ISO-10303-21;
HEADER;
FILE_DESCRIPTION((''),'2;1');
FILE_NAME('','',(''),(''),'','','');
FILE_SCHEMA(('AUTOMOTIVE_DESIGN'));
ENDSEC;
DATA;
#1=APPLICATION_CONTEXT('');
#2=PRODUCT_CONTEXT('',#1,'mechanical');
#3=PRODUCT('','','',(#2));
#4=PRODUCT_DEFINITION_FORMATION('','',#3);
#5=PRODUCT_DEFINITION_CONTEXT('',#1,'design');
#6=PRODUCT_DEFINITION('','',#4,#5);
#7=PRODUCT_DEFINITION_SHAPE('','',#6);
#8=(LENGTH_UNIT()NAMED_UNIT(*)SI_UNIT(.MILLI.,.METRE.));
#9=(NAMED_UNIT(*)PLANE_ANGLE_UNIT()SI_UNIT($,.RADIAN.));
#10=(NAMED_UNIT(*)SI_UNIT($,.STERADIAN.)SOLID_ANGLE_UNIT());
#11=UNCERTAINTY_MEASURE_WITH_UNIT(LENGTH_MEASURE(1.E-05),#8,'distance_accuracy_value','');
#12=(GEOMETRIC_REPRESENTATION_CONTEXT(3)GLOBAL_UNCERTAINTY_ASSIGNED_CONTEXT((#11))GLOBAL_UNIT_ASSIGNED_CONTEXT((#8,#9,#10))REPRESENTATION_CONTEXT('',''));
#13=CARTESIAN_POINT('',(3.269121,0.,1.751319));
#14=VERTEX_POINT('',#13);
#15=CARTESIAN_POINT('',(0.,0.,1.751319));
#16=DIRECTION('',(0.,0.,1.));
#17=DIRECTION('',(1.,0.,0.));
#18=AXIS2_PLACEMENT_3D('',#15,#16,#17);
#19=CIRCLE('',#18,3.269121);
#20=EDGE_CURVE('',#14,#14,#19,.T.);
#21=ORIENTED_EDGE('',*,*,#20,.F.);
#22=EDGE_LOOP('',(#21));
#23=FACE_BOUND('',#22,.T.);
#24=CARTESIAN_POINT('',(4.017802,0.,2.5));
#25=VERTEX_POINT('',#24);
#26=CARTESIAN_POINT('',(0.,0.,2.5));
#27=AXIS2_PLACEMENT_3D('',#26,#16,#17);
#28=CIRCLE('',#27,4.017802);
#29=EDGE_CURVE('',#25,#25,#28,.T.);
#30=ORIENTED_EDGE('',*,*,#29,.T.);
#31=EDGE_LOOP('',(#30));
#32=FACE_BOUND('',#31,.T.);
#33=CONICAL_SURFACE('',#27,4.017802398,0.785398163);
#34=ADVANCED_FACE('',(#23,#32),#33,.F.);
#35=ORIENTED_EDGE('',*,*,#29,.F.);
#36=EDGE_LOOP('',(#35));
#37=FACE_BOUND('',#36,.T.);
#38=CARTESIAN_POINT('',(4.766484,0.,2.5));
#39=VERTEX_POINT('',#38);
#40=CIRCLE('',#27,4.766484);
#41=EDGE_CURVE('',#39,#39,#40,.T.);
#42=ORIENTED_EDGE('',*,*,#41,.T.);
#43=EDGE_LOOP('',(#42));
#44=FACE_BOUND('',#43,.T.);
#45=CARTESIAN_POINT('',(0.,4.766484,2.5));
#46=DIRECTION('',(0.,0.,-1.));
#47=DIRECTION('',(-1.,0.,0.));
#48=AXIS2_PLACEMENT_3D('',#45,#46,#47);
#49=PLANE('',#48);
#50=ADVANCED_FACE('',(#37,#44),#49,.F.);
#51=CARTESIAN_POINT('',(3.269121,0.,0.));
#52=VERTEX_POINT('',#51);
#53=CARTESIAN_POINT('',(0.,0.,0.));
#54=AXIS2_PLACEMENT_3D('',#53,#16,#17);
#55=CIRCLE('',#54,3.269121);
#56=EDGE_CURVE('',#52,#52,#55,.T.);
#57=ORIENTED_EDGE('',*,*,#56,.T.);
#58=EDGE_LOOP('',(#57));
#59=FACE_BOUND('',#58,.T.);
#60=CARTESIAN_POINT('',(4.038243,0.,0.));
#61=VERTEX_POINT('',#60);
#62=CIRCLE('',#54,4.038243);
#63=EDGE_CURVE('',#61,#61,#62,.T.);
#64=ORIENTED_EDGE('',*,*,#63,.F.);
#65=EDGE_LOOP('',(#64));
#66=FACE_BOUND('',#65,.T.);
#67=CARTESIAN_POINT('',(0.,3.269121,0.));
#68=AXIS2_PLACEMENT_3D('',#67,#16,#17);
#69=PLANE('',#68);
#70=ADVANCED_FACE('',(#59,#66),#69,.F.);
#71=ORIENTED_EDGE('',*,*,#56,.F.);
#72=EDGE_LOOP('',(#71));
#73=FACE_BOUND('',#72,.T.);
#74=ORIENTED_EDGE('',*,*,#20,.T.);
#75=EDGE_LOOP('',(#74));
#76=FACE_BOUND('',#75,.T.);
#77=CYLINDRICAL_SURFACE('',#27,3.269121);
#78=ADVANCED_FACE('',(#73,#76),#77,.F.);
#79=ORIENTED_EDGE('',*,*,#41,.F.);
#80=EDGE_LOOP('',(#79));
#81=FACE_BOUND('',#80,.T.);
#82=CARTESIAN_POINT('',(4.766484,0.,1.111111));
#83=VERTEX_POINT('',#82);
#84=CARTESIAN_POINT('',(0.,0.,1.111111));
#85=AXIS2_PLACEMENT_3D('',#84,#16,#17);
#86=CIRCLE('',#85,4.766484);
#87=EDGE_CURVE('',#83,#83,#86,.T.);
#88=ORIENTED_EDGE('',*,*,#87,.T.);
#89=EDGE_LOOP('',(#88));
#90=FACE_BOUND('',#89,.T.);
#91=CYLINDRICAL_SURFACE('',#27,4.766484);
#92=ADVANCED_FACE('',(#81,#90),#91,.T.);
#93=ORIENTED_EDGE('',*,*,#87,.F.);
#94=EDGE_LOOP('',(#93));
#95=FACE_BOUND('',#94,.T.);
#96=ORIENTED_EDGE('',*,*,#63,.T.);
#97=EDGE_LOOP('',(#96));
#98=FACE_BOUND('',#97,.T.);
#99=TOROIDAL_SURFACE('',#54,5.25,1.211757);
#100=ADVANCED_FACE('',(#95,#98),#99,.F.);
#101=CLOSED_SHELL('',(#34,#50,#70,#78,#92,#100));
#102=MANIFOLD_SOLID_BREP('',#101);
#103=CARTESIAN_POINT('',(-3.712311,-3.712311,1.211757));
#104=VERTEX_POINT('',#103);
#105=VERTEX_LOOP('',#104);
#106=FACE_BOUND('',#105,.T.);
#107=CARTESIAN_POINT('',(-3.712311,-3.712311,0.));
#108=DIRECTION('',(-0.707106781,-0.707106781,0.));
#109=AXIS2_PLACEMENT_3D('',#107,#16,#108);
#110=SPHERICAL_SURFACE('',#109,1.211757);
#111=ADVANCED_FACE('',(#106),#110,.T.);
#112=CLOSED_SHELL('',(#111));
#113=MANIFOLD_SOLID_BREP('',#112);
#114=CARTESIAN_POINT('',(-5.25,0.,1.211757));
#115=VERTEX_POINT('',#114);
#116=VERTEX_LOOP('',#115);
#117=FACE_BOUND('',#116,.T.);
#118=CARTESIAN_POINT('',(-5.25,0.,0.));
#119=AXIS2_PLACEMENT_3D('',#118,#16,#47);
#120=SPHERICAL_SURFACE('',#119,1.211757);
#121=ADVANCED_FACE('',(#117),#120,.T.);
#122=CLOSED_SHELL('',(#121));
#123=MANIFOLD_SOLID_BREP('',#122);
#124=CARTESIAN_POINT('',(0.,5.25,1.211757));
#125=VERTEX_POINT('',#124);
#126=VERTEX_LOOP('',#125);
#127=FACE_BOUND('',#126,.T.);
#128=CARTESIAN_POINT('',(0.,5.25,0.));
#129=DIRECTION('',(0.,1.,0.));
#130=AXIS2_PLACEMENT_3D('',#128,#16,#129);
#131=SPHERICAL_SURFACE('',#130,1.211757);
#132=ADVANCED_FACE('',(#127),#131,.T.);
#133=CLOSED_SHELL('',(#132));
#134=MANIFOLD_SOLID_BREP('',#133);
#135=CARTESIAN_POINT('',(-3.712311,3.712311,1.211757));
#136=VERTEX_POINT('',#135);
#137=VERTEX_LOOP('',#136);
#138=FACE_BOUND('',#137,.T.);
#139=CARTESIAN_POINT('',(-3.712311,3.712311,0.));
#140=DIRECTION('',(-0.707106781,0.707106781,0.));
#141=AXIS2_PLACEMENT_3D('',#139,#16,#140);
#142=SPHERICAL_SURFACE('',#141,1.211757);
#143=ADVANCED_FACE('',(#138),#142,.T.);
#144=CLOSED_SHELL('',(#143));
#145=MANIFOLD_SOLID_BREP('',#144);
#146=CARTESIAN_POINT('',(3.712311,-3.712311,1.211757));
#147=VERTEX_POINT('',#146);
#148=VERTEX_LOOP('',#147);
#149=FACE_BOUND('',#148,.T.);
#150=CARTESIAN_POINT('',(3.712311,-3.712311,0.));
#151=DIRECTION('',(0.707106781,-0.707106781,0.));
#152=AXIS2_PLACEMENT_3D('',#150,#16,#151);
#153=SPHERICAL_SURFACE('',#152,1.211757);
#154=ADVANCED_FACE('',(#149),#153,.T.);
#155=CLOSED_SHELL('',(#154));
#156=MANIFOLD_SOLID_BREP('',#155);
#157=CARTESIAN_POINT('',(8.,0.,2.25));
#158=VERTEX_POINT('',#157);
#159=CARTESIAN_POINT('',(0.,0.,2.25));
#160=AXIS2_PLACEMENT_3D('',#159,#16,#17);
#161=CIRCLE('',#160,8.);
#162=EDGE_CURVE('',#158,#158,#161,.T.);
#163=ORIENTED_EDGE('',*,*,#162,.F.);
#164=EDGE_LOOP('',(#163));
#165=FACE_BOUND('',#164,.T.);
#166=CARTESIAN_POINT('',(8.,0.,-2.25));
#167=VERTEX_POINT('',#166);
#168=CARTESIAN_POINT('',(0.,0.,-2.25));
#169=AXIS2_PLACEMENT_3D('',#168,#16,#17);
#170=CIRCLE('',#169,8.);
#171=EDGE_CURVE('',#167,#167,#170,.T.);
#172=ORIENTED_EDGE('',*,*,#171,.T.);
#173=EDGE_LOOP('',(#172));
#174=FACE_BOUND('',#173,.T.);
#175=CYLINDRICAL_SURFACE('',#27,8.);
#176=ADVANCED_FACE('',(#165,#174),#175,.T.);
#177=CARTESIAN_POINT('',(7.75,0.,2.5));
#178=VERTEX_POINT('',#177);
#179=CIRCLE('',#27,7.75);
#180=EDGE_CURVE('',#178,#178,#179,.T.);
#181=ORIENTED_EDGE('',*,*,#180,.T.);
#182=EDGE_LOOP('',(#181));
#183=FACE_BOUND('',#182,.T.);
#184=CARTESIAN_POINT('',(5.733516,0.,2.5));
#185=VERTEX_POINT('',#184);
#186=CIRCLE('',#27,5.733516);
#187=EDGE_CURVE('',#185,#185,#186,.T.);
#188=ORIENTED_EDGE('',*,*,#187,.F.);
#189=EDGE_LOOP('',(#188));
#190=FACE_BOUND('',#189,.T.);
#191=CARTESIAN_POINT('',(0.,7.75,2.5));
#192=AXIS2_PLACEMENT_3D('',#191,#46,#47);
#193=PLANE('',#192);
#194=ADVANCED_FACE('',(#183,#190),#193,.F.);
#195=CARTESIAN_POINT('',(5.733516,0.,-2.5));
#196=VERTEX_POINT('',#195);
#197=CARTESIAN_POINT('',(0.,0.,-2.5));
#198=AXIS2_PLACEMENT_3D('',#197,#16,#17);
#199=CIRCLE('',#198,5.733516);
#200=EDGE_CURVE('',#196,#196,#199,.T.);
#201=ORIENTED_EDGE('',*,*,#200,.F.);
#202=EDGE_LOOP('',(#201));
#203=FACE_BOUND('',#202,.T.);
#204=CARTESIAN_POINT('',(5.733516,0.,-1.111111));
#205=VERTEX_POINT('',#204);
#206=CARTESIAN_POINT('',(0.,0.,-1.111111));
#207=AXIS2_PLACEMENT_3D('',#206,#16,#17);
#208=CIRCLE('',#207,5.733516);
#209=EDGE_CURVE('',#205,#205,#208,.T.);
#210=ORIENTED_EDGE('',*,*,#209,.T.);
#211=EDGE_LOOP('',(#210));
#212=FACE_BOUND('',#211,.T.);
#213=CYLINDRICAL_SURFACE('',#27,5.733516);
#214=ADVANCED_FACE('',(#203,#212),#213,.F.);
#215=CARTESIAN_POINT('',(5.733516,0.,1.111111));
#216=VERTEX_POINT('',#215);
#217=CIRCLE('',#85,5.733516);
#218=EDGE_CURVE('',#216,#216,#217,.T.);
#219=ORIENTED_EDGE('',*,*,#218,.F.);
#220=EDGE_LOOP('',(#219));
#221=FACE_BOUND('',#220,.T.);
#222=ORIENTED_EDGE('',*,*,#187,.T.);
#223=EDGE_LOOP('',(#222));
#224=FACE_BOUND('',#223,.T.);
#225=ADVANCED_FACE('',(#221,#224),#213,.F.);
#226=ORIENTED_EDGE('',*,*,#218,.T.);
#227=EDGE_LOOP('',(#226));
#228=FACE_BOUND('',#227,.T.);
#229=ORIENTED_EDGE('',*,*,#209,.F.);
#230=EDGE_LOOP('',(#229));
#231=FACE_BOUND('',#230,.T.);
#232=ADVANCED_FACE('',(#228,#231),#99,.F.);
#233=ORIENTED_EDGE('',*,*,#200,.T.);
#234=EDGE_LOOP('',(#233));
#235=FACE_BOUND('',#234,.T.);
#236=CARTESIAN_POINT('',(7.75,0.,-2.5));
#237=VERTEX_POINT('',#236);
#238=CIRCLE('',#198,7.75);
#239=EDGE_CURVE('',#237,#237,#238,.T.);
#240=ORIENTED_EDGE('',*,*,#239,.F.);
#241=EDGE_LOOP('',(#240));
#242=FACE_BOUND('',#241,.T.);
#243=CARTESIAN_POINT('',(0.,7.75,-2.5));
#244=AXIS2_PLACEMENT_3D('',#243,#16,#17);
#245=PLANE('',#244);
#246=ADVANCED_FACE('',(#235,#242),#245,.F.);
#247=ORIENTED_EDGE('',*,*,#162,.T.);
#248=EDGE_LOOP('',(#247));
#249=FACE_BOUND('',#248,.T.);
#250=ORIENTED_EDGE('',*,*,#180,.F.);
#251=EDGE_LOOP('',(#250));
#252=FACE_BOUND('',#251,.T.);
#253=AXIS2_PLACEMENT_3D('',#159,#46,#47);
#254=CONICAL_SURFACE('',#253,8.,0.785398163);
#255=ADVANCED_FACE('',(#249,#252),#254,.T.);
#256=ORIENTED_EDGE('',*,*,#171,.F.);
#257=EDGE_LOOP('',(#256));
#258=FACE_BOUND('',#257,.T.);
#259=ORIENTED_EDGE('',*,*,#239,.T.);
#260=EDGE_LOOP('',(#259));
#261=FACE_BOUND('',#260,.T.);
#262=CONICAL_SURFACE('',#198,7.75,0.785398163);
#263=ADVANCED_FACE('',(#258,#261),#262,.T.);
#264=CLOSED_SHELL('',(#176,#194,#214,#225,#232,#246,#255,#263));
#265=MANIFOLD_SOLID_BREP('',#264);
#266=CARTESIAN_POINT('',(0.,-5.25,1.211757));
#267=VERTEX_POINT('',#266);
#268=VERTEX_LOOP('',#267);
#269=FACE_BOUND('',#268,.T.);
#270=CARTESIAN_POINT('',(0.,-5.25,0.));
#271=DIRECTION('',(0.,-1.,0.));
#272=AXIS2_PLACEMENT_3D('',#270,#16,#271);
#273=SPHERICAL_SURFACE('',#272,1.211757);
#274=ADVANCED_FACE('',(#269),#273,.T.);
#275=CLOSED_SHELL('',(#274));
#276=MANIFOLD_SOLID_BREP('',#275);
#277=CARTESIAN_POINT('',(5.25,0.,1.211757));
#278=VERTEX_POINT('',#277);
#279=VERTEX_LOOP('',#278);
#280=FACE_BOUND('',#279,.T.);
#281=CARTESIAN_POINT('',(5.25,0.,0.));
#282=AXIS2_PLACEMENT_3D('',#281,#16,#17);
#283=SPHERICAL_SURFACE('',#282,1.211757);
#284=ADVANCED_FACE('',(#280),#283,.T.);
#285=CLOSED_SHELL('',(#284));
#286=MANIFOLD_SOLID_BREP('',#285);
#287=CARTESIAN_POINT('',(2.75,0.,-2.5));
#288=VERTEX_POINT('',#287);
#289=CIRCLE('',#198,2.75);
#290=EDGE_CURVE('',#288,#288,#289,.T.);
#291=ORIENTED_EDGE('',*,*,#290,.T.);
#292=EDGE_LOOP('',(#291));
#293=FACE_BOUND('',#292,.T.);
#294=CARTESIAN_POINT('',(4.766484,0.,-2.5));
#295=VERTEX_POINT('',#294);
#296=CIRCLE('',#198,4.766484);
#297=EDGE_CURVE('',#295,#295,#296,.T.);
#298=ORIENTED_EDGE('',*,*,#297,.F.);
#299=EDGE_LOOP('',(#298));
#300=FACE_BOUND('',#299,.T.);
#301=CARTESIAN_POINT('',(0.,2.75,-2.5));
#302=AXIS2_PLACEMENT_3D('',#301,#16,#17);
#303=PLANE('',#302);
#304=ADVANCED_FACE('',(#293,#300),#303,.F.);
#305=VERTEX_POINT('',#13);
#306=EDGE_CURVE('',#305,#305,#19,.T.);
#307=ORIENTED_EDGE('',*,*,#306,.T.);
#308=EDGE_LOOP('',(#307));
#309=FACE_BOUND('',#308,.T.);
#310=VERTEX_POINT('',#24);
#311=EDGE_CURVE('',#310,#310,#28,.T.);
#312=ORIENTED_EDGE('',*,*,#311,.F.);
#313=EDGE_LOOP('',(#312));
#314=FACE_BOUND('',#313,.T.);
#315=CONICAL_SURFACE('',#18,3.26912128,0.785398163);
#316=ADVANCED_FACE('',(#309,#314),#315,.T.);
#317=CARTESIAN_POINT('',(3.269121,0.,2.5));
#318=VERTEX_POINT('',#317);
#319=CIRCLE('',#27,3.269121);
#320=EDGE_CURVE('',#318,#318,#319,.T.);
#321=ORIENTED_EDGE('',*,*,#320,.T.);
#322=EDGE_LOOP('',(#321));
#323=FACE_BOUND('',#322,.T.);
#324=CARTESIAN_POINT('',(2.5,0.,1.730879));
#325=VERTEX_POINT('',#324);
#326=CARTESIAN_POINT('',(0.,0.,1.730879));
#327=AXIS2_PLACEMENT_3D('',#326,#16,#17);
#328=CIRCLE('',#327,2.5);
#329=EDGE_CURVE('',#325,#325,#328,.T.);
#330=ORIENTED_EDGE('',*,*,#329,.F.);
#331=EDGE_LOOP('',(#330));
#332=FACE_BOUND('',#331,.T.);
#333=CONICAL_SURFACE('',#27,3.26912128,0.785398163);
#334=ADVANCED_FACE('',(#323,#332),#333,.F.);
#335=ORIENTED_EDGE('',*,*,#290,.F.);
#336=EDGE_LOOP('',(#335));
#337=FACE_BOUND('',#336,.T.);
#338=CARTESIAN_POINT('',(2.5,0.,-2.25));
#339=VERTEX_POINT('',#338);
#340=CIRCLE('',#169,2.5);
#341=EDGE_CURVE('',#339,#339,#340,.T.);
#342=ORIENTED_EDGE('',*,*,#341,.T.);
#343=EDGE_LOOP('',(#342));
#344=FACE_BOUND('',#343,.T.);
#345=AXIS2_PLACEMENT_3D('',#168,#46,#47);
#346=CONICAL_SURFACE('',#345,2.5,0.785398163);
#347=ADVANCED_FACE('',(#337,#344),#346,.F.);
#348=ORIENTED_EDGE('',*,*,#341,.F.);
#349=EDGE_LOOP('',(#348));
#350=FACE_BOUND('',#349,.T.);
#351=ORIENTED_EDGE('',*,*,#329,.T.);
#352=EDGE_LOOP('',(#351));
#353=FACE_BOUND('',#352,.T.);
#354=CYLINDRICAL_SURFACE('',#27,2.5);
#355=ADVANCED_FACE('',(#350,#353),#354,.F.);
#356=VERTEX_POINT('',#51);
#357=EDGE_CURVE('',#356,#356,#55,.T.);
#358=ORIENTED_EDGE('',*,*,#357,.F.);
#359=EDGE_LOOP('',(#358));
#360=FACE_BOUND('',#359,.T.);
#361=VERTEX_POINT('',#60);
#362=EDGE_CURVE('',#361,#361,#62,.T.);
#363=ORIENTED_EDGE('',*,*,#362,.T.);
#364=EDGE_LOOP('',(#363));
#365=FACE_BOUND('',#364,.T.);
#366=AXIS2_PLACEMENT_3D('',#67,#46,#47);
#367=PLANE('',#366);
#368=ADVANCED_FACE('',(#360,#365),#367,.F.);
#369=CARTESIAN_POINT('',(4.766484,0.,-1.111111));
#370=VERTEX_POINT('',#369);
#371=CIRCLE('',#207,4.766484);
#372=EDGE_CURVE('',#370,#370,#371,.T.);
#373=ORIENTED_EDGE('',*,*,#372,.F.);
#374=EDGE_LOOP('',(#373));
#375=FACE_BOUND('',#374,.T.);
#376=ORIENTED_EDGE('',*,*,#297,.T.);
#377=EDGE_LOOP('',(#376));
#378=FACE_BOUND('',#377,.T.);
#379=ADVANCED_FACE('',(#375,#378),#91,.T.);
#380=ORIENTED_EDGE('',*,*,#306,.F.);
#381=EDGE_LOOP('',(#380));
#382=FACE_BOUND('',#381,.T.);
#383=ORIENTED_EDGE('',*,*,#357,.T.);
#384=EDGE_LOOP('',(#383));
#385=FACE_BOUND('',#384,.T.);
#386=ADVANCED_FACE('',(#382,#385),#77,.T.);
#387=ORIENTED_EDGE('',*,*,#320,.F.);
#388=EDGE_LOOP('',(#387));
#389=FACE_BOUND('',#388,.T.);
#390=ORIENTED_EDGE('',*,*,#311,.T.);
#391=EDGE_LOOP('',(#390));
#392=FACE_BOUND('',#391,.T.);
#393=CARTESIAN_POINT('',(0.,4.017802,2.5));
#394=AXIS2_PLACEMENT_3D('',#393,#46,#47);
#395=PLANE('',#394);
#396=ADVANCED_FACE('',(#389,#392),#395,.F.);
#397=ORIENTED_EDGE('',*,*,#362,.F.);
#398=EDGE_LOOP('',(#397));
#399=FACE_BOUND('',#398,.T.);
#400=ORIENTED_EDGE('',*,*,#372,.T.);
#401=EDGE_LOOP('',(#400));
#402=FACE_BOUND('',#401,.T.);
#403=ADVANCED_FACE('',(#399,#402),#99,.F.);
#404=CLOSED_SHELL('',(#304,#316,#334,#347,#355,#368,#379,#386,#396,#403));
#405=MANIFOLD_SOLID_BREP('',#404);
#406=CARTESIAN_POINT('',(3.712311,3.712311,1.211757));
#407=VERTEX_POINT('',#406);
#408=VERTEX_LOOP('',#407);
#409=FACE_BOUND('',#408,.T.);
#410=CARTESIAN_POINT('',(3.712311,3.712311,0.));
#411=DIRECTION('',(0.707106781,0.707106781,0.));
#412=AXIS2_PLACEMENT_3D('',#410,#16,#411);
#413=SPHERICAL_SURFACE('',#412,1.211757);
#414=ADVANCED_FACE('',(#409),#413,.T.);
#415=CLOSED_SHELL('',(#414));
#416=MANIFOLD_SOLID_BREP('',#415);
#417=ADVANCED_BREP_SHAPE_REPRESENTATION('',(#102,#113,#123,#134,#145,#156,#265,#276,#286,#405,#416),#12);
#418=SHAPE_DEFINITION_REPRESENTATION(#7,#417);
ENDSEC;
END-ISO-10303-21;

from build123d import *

# Parameters (mm, degrees)
CIRPATTERN1_COUNT = 8


with BuildPart() as part:
    # Sketch1 → Revolve1 (revolve)
    with BuildSketch(Plane(origin=(0, 0, 0), x_dir=(0, 0, -1), z_dir=(1, 0, 0))):
        with BuildLine():
            Line((2.25, 8), (-2.25, 8))
            Line((-2.25, 8), (-2.5, 7.75))
            Line((-2.5, 7.75), (-2.5, 5.733516484))
            Line((-2.5, 5.733516484), (-1.111111111, 5.733516484))
            ThreePointArc((-1.111111111, 5.733516484), (0, 6.461757439), (1.111111111, 5.733516484))
            Line((1.111111111, 5.733516484), (2.5, 5.733516484))
            Line((2.5, 5.733516484), (2.5, 7.75))
            Line((2.5, 7.75), (2.25, 8))
        make_face()
    revolve(axis=Axis((0, 0, 2.5), (0, 0, -1)))


with BuildPart() as body_2:
    # Sketch2 → Revolve2 (revolve)
    with BuildSketch(Plane(origin=(0, 0, 0), x_dir=(0, 0, -1), z_dir=(1, 0, 0))):
        with BuildLine():
            Line((-2.5, 4.766483516), (-1.111111111, 4.766483516))
            ThreePointArc((-1.111111111, 4.766483516), (-0.66424822, 4.236525583), (0, 4.038242561))
            Line((0, 4.038242561), (0, 3.26912128))
            Line((0, 3.26912128), (-1.751318882, 3.26912128))
            Line((-1.751318882, 3.26912128), (-2.5, 4.017802398))
            Line((-2.5, 4.017802398), (-2.5, 4.766483516))
        make_face()
    revolve(axis=Axis((0, 0, 2.5), (0, 0, -1)))


with BuildPart() as body_3:
    # Sketch3 → Revolve3 (revolve)
    with BuildSketch(Plane(origin=(0, 0, 0), x_dir=(0, 0, -1), z_dir=(1, 0, 0))):
        with BuildLine():
            Line((-2.5, 4.017802398), (-1.751318882, 3.26912128))
            Line((-1.751318882, 3.26912128), (0, 3.26912128))
            Line((0, 3.26912128), (0, 4.038242561))
            ThreePointArc((0, 4.038242561), (0.66424822, 4.236525583), (1.111111111, 4.766483516))
            Line((1.111111111, 4.766483516), (2.5, 4.766483516))
            Line((2.5, 4.766483516), (2.5, 2.75))
            Line((2.5, 2.75), (2.25, 2.5))
            Line((2.25, 2.5), (-1.73087872, 2.5))
            Line((-1.73087872, 2.5), (-2.5, 3.26912128))
            Line((-2.5, 3.26912128), (-2.5, 4.017802398))
        make_face()
    revolve(axis=Axis((0, 0, 2.5), (0, 0, -1)))


with BuildPart() as body_4:
    # Sketch4 → Revolve4 (revolve)
    with BuildSketch(Plane(origin=(0, 0, 0), x_dir=(0, 0, -1), z_dir=(1, 0, 0))):
        with BuildLine():
            Line((-1.211757439, 5.25), (1.211757439, 5.25))
            ThreePointArc((1.211757439, 5.25), (0, 6.461757439), (-1.211757439, 5.25))
        make_face()
    revolve(axis=Axis((0, 5.25, 1.211757439), (0, 0, -1)))


with BuildPart() as cirpattern1_1:
    # CirPattern1: pattern copy
    add(body_4.part.rotate(Axis((0, 0, -2.5), (0, 0, 1)), 1 * 360 / CIRPATTERN1_COUNT))


with BuildPart() as cirpattern1_2:
    # CirPattern1: pattern copy
    add(body_4.part.rotate(Axis((0, 0, -2.5), (0, 0, 1)), 2 * 360 / CIRPATTERN1_COUNT))


with BuildPart() as cirpattern1_3:
    # CirPattern1: pattern copy
    add(body_4.part.rotate(Axis((0, 0, -2.5), (0, 0, 1)), 3 * 360 / CIRPATTERN1_COUNT))


with BuildPart() as cirpattern1_4:
    # CirPattern1: pattern copy
    add(body_4.part.rotate(Axis((0, 0, -2.5), (0, 0, 1)), 4 * 360 / CIRPATTERN1_COUNT))


with BuildPart() as cirpattern1_5:
    # CirPattern1: pattern copy
    add(body_4.part.rotate(Axis((0, 0, -2.5), (0, 0, 1)), 5 * 360 / CIRPATTERN1_COUNT))


with BuildPart() as cirpattern1_6:
    # CirPattern1: pattern copy
    add(body_4.part.rotate(Axis((0, 0, -2.5), (0, 0, 1)), 6 * 360 / CIRPATTERN1_COUNT))


with BuildPart() as cirpattern1_7:
    # CirPattern1: pattern copy
    add(body_4.part.rotate(Axis((0, 0, -2.5), (0, 0, 1)), 7 * 360 / CIRPATTERN1_COUNT))


solid = Compound([part.part, body_2.part, body_3.part, body_4.part, cirpattern1_1.part, cirpattern1_2.part, cirpattern1_3.part, cirpattern1_4.part, cirpattern1_5.part, cirpattern1_6.part, cirpattern1_7.part])
